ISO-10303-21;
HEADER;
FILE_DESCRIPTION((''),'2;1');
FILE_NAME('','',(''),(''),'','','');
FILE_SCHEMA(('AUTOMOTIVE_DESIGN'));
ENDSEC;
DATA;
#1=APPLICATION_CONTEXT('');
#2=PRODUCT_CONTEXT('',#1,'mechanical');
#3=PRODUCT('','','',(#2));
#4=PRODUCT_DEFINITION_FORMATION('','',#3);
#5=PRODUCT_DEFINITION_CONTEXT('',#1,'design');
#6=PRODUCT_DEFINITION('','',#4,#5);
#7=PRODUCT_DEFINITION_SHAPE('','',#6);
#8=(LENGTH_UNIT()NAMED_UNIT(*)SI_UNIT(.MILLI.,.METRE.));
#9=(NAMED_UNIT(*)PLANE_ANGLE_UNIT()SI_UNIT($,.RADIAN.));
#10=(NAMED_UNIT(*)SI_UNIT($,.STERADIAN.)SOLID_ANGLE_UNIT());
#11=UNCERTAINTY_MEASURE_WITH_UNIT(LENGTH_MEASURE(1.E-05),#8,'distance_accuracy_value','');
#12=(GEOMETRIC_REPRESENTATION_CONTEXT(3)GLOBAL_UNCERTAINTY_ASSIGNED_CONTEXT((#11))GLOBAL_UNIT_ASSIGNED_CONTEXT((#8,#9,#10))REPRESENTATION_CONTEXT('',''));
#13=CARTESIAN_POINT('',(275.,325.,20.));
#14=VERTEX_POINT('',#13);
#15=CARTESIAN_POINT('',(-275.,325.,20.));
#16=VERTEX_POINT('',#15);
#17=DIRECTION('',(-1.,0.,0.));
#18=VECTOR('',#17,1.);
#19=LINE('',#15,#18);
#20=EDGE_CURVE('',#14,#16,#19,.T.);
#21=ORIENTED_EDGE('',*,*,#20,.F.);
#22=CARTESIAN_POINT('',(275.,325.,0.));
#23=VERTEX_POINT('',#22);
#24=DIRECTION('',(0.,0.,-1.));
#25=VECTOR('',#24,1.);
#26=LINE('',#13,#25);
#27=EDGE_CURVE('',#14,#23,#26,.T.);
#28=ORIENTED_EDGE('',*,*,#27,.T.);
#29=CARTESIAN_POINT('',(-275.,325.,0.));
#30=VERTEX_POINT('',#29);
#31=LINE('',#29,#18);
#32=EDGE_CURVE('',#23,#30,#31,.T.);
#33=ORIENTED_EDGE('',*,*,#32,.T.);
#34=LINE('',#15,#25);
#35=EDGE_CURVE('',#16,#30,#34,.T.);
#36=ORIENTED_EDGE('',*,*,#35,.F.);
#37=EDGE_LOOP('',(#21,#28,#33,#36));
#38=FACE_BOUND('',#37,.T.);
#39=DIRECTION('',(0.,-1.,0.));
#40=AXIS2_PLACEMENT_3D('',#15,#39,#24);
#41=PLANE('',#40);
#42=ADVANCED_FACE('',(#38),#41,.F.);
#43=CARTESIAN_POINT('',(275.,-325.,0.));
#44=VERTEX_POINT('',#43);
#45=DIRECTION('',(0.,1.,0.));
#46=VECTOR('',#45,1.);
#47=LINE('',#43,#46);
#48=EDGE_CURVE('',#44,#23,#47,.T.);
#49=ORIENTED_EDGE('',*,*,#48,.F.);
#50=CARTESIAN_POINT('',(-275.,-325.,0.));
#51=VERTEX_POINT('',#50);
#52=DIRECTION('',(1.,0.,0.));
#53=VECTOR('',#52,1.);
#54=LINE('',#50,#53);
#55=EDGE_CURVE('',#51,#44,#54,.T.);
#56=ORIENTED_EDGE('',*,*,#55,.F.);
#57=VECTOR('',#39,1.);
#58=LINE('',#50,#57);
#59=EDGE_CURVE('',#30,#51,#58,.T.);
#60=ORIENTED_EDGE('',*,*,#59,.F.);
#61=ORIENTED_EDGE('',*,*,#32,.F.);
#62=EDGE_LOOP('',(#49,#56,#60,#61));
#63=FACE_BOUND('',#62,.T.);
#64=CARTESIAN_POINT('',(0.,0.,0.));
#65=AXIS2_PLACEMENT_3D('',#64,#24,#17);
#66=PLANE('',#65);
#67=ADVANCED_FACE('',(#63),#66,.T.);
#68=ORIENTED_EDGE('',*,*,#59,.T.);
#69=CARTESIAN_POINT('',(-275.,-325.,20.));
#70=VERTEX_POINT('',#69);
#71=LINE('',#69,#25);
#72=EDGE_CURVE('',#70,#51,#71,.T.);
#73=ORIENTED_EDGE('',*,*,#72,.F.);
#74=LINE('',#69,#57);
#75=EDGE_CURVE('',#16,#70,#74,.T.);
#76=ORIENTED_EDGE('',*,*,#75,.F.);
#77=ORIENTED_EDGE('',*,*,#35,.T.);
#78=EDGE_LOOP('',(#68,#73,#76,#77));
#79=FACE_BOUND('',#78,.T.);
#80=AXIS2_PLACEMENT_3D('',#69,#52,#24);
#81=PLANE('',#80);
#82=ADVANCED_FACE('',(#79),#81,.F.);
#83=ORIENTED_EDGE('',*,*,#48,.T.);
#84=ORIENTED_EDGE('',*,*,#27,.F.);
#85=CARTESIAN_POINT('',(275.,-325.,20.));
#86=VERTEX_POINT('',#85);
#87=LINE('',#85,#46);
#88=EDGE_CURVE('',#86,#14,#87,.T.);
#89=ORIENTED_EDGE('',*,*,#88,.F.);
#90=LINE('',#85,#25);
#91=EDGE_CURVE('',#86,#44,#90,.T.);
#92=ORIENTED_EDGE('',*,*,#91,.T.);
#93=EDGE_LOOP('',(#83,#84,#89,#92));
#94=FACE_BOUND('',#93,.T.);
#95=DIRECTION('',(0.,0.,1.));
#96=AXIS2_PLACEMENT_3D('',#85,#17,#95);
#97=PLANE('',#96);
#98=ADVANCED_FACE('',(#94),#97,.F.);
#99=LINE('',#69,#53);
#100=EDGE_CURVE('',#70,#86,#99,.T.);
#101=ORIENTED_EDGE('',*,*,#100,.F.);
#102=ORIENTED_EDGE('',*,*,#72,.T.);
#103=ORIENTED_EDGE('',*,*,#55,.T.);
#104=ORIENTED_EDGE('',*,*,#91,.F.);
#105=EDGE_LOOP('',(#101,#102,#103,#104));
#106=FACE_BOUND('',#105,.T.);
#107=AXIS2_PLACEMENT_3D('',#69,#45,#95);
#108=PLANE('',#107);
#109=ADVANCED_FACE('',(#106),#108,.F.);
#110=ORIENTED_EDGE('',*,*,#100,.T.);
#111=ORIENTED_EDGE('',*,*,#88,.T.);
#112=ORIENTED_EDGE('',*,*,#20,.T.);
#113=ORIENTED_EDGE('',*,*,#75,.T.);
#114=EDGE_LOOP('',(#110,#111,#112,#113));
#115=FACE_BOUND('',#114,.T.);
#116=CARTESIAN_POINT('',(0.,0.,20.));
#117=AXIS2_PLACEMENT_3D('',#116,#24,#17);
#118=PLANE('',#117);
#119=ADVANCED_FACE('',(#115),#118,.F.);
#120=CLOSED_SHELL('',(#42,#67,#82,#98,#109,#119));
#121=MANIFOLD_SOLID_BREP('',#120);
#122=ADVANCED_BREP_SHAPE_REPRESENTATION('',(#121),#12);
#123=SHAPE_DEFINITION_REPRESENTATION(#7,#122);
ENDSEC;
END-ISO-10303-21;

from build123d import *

# Parameters (mm, degrees)
SKETCH_1_W      = 550
SKETCH_1_H      = 650
EXTRUDE_1_DEPTH = 20


with BuildPart() as part:
    # 草图1 → 凸台-拉伸1 (new body)
    with BuildSketch(Plane.XY):
        Rectangle(SKETCH_1_W, SKETCH_1_H)
    extrude(amount=EXTRUDE_1_DEPTH)


solid = part.part
